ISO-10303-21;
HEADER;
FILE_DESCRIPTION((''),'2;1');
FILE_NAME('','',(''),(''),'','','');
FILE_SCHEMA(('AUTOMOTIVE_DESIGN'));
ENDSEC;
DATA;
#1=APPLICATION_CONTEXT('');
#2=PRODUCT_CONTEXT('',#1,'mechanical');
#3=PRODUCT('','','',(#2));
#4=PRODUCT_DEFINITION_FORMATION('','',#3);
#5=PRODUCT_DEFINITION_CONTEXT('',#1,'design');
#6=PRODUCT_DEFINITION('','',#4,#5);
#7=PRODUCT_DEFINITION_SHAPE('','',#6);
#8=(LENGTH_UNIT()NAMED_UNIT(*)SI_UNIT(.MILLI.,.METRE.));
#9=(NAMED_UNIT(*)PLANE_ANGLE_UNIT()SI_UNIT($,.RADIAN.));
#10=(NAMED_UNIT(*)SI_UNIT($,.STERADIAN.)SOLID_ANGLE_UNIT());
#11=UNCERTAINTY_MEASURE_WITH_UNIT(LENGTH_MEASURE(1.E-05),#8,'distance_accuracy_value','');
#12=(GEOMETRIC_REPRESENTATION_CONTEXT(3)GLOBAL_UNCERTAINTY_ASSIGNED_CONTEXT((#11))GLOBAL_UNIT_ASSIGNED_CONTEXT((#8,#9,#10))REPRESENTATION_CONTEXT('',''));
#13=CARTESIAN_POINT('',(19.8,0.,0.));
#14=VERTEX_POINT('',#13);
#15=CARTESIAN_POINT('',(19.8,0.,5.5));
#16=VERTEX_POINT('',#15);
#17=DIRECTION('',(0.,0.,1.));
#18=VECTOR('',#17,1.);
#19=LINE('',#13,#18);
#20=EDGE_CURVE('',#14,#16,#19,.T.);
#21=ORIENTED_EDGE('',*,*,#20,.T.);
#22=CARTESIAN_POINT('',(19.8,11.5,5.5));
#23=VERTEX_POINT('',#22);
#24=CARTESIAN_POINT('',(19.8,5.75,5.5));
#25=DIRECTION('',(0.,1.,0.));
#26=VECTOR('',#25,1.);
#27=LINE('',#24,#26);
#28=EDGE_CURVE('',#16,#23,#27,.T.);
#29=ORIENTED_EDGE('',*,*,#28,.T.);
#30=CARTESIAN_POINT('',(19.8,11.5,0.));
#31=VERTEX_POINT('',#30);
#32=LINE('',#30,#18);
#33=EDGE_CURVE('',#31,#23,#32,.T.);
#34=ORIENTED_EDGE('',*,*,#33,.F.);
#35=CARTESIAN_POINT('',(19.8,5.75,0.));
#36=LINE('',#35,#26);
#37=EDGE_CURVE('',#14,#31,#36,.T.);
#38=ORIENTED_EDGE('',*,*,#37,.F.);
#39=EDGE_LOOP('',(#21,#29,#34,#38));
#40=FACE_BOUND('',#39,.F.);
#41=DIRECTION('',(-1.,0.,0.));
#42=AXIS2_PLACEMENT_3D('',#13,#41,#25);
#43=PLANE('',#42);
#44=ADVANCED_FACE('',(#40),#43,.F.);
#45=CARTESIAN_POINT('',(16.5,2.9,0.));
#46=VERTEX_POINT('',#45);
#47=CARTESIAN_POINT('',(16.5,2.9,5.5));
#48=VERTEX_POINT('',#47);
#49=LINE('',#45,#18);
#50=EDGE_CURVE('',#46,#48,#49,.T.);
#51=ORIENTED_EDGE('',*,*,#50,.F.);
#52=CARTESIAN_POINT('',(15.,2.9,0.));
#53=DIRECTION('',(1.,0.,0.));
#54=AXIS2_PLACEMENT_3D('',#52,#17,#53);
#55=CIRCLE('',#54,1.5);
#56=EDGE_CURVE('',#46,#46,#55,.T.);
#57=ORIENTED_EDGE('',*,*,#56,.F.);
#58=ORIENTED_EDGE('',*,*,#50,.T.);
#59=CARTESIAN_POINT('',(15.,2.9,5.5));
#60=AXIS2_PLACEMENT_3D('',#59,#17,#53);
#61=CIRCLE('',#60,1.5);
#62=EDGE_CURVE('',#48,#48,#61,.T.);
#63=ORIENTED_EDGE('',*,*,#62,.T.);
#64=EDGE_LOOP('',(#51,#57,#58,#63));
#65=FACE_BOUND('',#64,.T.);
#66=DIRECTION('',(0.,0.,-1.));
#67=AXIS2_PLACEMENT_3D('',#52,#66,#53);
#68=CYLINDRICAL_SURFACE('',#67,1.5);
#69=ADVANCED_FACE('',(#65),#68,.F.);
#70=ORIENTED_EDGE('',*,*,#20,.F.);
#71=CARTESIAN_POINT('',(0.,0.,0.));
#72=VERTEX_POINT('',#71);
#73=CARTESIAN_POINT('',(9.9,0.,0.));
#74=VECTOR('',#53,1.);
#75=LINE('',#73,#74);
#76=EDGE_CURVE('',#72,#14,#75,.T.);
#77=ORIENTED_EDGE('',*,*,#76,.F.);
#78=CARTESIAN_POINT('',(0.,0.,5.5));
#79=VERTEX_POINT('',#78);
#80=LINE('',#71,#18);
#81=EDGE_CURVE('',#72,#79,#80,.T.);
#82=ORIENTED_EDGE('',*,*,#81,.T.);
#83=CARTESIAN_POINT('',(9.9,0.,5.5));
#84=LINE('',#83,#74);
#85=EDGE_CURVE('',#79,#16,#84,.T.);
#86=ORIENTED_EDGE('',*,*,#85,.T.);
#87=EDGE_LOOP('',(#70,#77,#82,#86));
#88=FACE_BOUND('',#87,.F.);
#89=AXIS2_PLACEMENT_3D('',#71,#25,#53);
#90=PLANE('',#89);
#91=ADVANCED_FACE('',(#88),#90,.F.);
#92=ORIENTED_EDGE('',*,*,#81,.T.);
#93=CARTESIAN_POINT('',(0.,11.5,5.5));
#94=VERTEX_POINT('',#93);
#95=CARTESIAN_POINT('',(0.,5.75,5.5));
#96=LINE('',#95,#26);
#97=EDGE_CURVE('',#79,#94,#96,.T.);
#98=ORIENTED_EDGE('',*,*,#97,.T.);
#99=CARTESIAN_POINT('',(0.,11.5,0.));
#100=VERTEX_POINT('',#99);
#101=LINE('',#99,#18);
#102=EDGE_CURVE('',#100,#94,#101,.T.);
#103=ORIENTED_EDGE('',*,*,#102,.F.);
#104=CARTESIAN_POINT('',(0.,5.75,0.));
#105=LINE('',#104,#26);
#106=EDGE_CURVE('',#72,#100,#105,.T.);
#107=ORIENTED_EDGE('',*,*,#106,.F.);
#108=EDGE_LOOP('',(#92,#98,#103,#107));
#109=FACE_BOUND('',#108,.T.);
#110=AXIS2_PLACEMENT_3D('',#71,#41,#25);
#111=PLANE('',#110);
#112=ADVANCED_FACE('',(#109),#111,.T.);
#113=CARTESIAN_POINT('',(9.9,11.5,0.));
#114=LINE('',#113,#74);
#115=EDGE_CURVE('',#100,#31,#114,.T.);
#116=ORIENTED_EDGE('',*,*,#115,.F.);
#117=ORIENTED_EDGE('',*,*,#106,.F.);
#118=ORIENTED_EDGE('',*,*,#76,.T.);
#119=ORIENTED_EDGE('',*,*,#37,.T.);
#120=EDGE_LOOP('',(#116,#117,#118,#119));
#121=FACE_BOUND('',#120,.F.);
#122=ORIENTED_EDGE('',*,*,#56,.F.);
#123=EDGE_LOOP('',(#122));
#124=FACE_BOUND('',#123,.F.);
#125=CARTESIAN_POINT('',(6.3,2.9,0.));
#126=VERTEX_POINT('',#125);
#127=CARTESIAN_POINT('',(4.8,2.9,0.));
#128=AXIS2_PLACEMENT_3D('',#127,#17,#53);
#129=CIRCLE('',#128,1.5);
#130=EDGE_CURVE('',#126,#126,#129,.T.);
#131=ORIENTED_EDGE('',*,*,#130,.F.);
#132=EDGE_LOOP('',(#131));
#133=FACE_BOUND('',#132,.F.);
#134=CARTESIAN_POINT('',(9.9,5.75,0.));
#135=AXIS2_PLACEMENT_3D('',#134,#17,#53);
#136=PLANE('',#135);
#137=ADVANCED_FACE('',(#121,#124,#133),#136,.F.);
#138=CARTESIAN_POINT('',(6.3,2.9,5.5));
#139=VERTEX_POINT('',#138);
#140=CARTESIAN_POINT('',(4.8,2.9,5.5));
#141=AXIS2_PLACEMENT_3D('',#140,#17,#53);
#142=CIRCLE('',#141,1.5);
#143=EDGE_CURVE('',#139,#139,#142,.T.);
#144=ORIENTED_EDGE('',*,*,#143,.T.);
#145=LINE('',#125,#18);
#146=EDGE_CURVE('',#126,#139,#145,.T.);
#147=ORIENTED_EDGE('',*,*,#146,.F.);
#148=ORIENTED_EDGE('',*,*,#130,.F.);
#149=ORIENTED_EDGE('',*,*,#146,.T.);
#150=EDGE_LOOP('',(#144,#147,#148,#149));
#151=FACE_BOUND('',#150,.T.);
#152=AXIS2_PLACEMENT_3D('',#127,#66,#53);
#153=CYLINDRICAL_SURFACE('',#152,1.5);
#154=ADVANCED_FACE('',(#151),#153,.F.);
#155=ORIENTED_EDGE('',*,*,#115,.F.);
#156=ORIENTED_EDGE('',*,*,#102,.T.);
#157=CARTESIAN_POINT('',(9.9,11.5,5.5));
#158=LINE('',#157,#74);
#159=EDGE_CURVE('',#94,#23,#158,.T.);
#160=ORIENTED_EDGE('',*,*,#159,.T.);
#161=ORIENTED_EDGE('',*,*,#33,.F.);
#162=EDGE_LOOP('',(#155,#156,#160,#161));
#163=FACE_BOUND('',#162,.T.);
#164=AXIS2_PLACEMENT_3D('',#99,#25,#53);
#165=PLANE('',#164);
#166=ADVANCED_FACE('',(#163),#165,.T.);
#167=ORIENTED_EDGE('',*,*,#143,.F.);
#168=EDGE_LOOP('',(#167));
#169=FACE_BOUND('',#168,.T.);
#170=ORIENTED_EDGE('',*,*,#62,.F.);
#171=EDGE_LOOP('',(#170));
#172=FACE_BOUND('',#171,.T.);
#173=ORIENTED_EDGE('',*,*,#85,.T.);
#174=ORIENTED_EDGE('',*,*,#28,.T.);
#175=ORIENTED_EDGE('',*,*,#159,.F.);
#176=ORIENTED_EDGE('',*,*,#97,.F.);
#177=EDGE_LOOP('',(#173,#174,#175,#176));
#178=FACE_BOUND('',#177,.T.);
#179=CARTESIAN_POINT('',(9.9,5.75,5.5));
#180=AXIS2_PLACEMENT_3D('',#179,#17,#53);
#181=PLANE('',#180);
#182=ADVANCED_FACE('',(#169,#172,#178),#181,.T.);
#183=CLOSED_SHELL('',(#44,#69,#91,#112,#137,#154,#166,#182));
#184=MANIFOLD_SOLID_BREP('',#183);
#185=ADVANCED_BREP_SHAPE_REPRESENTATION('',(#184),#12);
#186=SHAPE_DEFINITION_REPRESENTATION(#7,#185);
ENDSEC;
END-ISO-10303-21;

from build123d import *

# Parameters (mm, degrees)
SKETCH_W  = 19.8
SKETCH_H  = 11.5
SKETCH_R  = 1.5
PAD_DEPTH = 5.5


with BuildPart() as part:
    # Sketch → Pad (new body)
    with BuildSketch(Plane.XY):
        with Locations((9.9, 5.75)):
            Rectangle(SKETCH_W, SKETCH_H)
        with Locations((4.8, 2.9)):
            Circle(SKETCH_R, mode=Mode.SUBTRACT)
        with Locations((15, 2.9)):
            Circle(SKETCH_R, mode=Mode.SUBTRACT)
    extrude(amount=PAD_DEPTH)


solid = part.part
